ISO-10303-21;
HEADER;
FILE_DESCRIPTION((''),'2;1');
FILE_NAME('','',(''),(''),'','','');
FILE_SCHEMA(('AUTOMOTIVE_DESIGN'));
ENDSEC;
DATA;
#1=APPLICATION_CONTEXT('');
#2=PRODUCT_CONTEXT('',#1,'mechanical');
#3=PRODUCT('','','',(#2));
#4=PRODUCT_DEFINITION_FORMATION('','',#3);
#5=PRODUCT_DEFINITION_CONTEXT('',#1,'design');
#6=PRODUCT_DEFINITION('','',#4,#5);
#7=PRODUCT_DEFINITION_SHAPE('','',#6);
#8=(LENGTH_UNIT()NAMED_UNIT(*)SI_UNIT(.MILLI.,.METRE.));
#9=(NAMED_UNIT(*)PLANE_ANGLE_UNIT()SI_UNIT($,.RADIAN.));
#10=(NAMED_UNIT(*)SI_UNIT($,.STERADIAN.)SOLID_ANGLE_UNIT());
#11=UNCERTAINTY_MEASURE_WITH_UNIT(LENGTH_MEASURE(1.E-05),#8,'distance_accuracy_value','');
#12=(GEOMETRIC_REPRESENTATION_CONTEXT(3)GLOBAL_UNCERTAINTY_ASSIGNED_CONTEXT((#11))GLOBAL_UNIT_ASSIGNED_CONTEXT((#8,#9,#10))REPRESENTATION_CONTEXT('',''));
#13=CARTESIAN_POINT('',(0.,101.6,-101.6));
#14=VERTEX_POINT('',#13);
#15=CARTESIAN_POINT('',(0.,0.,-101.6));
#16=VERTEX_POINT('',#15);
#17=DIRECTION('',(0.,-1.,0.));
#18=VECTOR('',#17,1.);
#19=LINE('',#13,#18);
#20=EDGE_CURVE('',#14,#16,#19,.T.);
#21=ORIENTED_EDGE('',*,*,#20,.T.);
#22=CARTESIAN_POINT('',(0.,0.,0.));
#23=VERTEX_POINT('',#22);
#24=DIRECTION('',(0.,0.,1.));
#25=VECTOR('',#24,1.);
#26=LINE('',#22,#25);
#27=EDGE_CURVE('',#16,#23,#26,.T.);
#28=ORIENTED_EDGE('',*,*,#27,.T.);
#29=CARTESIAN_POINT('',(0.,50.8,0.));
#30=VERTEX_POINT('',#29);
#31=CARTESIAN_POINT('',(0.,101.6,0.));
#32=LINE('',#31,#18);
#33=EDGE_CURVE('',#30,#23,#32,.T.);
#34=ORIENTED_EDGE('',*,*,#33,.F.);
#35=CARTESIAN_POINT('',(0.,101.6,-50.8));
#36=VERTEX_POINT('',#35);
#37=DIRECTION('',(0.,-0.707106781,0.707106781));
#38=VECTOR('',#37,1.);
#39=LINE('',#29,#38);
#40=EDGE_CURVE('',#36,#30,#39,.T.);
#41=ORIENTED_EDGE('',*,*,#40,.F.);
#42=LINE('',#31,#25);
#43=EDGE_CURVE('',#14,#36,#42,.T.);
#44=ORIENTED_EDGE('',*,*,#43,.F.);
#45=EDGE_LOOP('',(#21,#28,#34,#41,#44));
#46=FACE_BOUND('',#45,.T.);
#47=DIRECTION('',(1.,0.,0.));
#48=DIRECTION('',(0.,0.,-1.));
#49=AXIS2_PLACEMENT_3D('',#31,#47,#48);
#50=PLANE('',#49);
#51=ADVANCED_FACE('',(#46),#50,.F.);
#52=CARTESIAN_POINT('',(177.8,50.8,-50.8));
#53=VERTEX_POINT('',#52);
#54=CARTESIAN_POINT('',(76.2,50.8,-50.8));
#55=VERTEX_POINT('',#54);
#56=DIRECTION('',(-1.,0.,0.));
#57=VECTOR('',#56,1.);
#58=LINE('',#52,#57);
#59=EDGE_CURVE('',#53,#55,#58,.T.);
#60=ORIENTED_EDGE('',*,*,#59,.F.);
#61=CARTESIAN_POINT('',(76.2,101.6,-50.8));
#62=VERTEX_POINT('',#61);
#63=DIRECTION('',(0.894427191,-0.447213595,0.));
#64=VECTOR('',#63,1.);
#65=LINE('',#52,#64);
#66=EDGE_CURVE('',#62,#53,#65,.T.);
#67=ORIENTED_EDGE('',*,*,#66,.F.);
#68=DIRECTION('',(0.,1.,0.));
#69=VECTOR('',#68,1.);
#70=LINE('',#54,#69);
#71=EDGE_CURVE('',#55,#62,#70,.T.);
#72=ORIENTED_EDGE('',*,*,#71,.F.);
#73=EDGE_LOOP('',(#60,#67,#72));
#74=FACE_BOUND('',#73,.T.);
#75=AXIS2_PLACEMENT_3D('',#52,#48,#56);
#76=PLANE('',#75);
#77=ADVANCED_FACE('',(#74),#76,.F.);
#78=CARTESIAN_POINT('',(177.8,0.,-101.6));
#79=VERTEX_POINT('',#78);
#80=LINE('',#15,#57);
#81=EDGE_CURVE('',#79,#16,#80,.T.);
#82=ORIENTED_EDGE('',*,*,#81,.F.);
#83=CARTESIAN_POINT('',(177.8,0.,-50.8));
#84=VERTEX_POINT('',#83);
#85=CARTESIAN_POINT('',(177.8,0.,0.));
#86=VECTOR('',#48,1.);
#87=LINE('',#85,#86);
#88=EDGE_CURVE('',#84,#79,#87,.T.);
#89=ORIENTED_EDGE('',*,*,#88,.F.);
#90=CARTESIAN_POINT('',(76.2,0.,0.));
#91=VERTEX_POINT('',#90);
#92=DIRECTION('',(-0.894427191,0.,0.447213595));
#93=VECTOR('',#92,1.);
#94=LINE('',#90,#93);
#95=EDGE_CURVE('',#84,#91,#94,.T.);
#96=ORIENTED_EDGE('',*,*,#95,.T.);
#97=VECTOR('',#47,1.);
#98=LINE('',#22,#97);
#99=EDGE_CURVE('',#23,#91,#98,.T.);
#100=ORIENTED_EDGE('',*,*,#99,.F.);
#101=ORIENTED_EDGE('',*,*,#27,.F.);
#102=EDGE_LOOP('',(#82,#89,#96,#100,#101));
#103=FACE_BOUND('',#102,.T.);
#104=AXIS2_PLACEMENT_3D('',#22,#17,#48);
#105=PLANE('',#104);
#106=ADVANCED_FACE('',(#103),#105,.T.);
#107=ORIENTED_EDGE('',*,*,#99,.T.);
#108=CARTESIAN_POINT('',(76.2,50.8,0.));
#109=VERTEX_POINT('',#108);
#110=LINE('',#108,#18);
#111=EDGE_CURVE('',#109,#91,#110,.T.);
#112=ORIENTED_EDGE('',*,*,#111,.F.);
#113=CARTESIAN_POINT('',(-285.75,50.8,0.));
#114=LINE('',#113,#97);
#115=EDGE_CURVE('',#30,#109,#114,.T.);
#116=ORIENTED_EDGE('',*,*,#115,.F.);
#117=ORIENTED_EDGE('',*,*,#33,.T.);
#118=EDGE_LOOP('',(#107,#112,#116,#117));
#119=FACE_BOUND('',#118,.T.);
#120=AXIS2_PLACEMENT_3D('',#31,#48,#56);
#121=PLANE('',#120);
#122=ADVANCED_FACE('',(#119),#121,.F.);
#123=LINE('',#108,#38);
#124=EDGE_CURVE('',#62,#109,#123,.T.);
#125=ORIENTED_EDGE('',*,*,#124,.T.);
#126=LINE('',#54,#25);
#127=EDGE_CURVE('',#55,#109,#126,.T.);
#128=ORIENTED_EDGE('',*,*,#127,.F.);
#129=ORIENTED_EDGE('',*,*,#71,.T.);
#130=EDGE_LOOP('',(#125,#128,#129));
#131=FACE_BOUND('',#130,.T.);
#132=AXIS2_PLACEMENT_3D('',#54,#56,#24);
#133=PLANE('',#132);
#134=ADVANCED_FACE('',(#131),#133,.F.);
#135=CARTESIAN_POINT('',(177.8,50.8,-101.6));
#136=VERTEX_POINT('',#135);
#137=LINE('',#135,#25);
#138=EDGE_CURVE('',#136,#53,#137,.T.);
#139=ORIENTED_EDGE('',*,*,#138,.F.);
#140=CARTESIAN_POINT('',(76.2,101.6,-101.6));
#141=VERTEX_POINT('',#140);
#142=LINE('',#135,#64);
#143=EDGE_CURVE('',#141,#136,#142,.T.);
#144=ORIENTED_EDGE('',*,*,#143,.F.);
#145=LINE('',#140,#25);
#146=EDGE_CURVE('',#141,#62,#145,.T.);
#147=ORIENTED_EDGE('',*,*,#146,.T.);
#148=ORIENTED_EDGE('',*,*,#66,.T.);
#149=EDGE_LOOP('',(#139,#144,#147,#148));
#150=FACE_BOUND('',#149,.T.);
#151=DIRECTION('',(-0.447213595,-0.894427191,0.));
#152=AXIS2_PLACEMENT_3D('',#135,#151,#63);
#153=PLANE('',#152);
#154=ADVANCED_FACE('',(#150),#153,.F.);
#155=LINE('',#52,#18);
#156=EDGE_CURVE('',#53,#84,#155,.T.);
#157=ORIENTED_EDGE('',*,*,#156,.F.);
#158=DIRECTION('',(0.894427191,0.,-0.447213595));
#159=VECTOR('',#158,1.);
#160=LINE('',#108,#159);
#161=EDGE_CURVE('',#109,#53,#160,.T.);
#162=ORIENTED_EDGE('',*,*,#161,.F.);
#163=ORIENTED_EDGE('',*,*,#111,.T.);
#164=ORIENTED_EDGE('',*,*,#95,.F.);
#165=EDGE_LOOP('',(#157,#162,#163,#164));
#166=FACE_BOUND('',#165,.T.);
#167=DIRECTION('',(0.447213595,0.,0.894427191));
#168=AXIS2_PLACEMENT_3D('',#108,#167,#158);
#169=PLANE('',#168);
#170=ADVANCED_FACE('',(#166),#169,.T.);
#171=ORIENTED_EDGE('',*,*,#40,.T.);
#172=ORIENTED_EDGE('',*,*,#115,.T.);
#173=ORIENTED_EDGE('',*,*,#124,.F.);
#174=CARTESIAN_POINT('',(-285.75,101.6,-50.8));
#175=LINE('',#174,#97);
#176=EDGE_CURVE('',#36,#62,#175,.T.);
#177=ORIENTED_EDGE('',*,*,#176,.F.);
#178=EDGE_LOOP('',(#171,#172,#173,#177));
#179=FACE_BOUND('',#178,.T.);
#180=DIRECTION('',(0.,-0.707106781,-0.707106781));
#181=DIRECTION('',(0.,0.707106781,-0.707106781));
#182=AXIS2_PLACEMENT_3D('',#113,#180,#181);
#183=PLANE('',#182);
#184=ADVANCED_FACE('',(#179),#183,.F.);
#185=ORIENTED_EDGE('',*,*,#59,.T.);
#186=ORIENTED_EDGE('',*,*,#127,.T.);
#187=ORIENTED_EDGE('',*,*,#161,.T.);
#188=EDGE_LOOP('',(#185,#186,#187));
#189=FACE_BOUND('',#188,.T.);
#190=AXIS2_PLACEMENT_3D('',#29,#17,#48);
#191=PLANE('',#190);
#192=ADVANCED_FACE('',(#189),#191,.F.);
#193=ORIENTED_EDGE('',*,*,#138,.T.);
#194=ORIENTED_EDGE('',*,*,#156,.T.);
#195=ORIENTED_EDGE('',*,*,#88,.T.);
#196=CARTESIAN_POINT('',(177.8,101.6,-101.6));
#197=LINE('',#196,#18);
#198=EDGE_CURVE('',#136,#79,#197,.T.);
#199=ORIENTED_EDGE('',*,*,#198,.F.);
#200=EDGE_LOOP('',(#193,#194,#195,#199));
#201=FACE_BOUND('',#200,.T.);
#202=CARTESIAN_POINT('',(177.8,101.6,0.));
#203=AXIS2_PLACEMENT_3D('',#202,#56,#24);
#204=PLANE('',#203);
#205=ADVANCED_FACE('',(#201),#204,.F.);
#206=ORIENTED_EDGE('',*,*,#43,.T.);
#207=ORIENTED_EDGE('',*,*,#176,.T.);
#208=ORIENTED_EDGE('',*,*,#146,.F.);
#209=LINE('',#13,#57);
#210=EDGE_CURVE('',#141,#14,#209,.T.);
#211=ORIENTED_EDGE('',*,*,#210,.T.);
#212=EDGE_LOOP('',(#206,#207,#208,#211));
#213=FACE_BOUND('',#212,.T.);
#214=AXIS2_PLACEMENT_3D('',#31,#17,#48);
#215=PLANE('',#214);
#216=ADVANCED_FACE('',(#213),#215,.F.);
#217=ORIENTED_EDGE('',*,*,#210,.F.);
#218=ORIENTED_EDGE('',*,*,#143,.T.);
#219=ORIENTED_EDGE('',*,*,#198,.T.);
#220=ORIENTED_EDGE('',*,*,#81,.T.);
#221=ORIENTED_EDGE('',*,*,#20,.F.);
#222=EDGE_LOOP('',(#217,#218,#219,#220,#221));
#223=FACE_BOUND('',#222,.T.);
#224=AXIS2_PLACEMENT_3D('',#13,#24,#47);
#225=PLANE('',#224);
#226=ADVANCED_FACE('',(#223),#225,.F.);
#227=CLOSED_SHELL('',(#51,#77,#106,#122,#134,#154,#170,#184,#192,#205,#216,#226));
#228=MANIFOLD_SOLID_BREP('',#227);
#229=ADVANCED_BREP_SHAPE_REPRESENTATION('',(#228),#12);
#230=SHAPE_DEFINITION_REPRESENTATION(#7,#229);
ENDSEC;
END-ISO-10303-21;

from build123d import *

# Parameters (mm, degrees)
SKETCH1_W                = 177.8
SKETCH1_H                = 101.6
BOSS_EXTRUDE1_DEPTH      = 101.6
CUT_EXTRUDE7_DEPTH       = 1
CUT_EXTRUDE7_DEPTH_BACK  = 76.2
CUT_EXTRUDE10_DEPTH      = 50.8
CUT_EXTRUDE12_DEPTH      = 1
CUT_EXTRUDE12_DEPTH_BACK = 101.6
CUT_EXTRUDE22_DEPTH      = 50.8
CUT_EXTRUDE25_DEPTH      = 50.8


with BuildPart() as part:
    # Sketch1 → Boss-Extrude1 (new body)
    with BuildSketch(Plane(origin=(0, 0, 0), x_dir=(1, 0, 0), z_dir=(0, 1, 0))):
        with Locations((88.9, 50.8)):
            Rectangle(SKETCH1_W, SKETCH1_H)
    extrude(amount=BOSS_EXTRUDE1_DEPTH)

    # Sketch2 → Cut-Extrude7 (cut, two sides)
    with BuildSketch(Plane.ZY) as cut_extrude7_sk:
        Polygon((210.271067812, -159.471067812), (0, 50.8), (-50.8, 101.6), (0, 101.6), (297.368195874, 101.6), (861.537049505, -86.614984162), (774.439921442, -347.686051974), align=None)
    extrude(amount=CUT_EXTRUDE7_DEPTH, mode=Mode.SUBTRACT)
    extrude(cut_extrude7_sk.sketch, amount=-CUT_EXTRUDE7_DEPTH_BACK, mode=Mode.SUBTRACT)

    # Sketch6 → Cut-Extrude10 (cut)
    with BuildSketch(Plane(origin=(0, 0, 0), x_dir=(1, 0, 0), z_dir=(0, 1, 0))):
        Polygon((76.2, 0), (177.8, 50.8), (177.8, 0), align=None)
    extrude(amount=CUT_EXTRUDE10_DEPTH, mode=Mode.SUBTRACT)

    # Sketch8 → Cut-Extrude12 (cut, two sides)
    with BuildSketch(Plane(origin=(0, 101.6, 0), x_dir=(1, 0, 0), z_dir=(0, 1, 0))) as cut_extrude12_sk:
        Polygon((177.8, 50.8), (76.2, 0), (177.8, 0), align=None)
    extrude(amount=CUT_EXTRUDE12_DEPTH, mode=Mode.SUBTRACT)
    extrude(cut_extrude12_sk.sketch, amount=-CUT_EXTRUDE12_DEPTH_BACK, mode=Mode.SUBTRACT)

    # Sketch11 → Cut-Extrude22 (cut)
    with BuildSketch(Plane(origin=(0, 101.6, 0), x_dir=(1, 0, 0), z_dir=(0, 1, 0))):
        Polygon((177.8, 50.8), (76.2, 50.8), (76.2, 0), align=None)
    extrude(amount=-CUT_EXTRUDE22_DEPTH, mode=Mode.SUBTRACT)

    # Sketch15 → Cut-Extrude25 (cut)
    with BuildSketch(Plane.XY.offset(-50.8)):
        Polygon((177.8, 50.8), (76.2, 101.6), (177.8, 101.6), align=None)
    extrude(amount=-CUT_EXTRUDE25_DEPTH, mode=Mode.SUBTRACT)


solid = part.part
